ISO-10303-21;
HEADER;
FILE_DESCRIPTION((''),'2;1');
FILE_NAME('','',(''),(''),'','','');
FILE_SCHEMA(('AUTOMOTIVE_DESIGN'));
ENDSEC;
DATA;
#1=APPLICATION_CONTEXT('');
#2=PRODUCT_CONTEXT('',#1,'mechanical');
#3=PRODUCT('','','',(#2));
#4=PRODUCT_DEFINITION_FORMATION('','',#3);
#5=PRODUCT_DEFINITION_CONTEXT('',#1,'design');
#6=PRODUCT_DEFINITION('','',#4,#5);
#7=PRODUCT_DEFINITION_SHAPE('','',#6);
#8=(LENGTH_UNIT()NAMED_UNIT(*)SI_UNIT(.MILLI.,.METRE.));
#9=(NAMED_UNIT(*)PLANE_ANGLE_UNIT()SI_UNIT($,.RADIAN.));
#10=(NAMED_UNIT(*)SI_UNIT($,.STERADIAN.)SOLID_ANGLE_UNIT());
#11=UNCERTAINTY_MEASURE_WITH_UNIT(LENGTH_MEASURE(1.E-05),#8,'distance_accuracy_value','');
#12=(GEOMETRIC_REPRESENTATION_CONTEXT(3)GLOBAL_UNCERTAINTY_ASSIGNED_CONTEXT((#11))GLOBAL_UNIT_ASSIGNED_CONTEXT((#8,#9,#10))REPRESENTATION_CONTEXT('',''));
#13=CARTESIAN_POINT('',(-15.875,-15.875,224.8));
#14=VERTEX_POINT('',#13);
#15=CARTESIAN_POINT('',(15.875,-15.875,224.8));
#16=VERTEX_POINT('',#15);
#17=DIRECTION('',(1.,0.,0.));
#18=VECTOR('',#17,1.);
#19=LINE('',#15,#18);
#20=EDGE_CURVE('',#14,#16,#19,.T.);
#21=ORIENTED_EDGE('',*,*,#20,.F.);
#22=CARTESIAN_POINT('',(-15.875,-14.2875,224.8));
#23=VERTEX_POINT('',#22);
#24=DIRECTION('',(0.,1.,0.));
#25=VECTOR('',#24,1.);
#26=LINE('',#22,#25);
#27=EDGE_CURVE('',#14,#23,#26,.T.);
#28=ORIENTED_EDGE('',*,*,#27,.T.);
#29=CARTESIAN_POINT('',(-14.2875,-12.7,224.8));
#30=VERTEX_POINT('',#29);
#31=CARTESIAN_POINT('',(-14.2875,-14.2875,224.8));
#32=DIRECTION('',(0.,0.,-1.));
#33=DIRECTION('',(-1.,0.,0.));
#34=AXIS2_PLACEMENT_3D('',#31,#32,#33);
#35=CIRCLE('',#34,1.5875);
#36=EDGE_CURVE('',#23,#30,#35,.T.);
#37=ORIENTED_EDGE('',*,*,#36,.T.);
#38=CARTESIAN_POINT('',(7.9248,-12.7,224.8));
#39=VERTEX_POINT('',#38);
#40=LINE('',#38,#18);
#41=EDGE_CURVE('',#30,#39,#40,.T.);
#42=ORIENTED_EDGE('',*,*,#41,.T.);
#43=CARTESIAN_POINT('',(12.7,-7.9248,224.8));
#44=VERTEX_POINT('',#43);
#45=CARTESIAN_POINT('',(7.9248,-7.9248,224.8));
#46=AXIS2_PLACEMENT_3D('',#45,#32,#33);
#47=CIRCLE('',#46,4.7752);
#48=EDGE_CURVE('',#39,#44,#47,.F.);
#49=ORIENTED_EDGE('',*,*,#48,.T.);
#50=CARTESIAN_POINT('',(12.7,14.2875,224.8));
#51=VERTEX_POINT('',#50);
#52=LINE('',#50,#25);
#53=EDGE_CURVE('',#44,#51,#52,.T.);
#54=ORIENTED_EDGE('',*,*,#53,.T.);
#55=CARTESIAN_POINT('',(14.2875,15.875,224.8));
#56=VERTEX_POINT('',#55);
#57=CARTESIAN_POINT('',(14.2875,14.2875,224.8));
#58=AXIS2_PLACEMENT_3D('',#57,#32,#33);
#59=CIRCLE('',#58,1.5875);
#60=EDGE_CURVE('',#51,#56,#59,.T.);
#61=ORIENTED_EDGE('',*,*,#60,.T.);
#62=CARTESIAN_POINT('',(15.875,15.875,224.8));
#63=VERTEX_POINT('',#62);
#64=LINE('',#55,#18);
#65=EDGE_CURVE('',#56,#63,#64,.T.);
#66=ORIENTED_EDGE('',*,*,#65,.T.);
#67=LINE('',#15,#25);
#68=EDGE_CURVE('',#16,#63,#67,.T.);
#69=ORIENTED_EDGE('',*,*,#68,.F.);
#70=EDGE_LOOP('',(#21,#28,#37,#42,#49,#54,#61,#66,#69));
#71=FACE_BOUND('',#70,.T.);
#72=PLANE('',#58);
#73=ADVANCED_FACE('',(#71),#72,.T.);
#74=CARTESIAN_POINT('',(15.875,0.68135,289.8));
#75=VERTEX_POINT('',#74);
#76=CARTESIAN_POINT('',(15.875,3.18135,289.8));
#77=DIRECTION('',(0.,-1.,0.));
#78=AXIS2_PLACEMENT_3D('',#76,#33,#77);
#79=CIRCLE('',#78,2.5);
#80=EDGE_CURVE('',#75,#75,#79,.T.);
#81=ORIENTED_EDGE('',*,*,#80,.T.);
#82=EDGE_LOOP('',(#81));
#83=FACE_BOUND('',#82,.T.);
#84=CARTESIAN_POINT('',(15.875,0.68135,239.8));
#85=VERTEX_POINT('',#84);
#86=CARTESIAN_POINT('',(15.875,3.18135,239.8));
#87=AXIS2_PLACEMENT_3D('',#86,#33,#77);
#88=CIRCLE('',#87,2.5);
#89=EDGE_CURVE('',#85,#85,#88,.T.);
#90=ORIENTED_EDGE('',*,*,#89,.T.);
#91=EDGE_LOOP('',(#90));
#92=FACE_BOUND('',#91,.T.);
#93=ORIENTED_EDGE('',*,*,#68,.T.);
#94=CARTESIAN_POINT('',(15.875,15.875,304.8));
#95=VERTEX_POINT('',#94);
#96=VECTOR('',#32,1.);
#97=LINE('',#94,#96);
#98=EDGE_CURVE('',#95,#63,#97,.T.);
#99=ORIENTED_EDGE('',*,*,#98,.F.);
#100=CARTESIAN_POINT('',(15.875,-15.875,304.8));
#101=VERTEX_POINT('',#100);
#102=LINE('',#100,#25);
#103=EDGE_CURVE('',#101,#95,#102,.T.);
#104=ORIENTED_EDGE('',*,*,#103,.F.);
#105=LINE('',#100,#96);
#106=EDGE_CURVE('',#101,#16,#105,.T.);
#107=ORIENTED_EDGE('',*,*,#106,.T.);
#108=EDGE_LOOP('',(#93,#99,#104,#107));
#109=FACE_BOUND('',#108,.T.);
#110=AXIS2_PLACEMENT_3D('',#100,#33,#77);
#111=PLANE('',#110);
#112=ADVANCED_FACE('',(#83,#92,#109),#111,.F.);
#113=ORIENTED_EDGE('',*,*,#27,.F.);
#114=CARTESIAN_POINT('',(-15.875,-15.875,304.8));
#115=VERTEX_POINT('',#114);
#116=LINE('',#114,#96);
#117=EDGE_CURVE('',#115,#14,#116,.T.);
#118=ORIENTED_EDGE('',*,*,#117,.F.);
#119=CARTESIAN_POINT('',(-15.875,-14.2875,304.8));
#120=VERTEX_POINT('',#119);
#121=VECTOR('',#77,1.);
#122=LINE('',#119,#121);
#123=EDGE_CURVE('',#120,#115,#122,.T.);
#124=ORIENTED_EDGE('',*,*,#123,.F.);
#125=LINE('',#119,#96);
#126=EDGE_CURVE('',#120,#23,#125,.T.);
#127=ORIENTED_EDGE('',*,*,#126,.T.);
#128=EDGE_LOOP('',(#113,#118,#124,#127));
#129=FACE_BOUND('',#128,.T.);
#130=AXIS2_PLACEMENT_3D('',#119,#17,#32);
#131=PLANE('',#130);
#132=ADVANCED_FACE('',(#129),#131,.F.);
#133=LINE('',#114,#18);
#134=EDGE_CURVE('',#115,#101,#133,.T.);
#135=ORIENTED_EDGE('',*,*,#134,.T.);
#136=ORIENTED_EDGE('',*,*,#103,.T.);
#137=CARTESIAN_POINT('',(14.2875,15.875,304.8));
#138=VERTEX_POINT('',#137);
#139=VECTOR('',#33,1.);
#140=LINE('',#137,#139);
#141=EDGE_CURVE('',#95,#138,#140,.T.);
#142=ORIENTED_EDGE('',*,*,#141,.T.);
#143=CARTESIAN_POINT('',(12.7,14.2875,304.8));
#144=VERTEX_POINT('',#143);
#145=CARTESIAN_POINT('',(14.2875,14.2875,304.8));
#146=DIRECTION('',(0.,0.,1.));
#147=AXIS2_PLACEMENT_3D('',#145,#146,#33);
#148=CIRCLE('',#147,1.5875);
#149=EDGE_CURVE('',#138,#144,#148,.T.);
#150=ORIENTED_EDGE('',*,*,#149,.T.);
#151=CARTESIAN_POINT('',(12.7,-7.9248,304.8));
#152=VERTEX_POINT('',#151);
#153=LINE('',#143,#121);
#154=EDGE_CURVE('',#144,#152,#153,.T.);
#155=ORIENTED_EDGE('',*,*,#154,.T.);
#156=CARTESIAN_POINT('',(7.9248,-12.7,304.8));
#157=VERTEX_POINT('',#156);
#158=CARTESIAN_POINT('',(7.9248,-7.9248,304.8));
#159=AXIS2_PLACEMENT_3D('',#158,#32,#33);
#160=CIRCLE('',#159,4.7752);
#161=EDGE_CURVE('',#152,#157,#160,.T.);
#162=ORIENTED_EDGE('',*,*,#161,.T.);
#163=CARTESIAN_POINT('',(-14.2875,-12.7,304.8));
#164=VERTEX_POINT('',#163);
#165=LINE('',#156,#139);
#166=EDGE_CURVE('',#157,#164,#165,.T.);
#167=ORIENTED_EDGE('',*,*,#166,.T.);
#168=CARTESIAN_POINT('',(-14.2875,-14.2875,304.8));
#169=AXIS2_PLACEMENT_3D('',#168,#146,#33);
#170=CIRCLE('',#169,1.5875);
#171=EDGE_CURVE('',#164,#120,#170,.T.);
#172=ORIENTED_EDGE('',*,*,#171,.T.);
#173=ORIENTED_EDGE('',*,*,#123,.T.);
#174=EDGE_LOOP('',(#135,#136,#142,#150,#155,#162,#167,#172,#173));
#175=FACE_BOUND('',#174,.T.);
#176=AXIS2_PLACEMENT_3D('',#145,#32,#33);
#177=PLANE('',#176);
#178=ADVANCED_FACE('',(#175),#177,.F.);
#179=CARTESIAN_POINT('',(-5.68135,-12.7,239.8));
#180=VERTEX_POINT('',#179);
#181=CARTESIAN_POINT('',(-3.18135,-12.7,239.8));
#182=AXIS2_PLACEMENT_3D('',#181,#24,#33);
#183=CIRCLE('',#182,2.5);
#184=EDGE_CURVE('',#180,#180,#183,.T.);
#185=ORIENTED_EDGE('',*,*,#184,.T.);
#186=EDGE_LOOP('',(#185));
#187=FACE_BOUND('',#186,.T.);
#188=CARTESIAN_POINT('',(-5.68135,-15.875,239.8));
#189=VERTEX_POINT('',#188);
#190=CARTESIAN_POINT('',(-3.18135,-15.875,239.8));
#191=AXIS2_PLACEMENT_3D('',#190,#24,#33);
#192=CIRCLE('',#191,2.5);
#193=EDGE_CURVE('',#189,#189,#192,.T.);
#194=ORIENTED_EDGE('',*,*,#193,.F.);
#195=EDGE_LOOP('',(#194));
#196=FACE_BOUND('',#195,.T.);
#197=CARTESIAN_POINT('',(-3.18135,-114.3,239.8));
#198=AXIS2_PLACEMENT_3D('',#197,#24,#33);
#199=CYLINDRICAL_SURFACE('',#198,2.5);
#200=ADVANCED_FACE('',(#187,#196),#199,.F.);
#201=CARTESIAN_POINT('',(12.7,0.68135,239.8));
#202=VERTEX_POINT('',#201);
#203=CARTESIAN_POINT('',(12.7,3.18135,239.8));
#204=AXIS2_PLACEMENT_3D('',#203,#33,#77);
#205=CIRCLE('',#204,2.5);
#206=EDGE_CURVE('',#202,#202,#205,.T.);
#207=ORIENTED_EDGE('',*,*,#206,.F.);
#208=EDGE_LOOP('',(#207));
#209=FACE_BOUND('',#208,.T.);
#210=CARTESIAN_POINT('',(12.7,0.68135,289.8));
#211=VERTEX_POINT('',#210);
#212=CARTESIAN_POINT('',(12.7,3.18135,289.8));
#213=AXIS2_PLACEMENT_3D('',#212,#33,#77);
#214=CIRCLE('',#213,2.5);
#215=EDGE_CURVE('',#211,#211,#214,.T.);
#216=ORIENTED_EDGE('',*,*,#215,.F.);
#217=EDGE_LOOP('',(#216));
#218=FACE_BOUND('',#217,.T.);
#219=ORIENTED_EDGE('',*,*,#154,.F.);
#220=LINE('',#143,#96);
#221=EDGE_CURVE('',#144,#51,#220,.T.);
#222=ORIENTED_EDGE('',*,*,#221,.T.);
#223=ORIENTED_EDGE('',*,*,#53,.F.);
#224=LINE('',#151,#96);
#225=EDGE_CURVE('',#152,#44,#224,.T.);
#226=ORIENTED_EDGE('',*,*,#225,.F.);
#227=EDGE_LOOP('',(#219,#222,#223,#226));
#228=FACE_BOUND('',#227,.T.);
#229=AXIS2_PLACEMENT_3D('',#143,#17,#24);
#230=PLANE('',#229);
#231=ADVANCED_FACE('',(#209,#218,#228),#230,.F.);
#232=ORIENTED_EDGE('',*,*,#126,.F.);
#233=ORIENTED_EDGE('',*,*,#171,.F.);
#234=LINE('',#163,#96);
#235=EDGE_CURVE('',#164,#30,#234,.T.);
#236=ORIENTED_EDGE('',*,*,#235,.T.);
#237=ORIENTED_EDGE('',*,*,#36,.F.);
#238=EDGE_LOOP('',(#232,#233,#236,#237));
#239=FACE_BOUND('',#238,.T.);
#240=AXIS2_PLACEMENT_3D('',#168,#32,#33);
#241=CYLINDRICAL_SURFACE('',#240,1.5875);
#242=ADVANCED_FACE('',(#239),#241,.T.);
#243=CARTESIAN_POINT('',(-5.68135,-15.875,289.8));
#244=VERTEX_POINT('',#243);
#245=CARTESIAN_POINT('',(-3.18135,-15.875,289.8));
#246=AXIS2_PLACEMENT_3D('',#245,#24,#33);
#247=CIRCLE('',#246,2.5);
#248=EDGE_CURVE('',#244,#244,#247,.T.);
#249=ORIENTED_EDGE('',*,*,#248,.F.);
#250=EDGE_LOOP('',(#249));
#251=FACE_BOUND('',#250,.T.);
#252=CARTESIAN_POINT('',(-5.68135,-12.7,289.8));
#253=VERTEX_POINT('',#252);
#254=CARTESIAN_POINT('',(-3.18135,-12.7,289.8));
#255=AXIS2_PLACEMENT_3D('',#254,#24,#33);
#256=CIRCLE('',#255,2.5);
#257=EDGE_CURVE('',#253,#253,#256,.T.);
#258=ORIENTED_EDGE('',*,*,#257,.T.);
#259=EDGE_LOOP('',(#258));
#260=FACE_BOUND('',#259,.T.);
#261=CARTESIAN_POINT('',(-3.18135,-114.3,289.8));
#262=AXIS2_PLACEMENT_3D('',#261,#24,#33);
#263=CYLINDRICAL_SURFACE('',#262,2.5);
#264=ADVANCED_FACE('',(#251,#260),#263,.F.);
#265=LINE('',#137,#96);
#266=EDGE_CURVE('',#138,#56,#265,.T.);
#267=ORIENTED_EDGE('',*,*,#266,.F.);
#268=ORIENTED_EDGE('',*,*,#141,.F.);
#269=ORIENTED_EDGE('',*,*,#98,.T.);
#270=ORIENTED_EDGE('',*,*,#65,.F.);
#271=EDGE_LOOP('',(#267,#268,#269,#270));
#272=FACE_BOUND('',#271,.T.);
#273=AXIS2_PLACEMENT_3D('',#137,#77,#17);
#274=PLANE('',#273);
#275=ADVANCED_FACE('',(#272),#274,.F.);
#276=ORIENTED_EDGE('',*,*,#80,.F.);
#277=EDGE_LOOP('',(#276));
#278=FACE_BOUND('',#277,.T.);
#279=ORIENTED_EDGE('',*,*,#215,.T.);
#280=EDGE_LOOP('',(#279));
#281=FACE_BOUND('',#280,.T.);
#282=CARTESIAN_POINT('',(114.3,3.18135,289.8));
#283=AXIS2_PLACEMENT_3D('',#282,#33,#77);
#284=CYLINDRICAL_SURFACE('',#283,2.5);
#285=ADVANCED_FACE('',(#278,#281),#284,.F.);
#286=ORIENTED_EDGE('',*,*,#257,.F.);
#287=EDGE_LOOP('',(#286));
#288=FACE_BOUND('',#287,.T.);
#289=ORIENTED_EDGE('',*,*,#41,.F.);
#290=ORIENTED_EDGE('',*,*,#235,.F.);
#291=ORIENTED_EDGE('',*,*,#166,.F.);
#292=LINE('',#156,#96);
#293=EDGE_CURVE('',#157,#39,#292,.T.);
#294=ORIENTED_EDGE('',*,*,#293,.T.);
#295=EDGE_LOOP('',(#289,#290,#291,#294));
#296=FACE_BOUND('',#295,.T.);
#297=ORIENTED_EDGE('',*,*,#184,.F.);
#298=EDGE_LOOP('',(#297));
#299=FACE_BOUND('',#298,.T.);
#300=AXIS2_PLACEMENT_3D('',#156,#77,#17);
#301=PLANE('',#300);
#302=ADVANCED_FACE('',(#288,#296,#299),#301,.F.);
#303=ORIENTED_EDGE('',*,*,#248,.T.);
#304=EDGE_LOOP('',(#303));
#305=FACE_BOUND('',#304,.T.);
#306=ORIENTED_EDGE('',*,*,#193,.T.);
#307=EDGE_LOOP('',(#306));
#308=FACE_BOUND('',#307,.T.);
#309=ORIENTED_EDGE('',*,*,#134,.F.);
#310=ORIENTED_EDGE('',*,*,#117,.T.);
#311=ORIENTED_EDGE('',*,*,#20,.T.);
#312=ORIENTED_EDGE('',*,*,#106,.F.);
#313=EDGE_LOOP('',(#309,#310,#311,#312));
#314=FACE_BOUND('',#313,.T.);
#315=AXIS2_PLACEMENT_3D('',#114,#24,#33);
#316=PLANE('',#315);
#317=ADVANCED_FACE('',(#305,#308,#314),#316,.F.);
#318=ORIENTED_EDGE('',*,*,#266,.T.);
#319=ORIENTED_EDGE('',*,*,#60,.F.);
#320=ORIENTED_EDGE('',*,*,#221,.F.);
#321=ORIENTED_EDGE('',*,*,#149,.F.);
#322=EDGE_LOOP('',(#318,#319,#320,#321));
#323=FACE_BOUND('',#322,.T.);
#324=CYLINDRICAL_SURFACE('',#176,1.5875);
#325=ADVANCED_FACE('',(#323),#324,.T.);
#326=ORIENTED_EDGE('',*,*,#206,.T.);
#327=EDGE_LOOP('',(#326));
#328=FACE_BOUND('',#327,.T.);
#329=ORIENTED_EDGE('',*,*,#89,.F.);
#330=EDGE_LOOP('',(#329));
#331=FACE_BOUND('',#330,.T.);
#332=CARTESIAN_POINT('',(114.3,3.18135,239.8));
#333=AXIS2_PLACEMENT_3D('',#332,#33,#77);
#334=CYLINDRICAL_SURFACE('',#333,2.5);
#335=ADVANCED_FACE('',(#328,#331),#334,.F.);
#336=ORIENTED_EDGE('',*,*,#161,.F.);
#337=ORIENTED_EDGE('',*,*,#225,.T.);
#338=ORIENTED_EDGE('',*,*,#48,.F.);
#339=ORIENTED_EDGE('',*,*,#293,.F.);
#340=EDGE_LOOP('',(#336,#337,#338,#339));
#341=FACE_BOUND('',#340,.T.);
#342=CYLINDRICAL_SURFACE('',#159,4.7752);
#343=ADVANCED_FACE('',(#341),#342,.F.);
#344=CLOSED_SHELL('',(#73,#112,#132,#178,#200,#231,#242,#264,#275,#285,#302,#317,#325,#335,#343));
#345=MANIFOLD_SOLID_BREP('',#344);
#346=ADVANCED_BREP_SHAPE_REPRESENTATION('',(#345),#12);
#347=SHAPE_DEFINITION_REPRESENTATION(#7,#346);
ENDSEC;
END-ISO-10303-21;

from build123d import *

# Parameters (mm, degrees)
BOSS_EXTRUDE1_DEPTH = 304.8
SKETCH3_W           = 34.414454966
SKETCH3_H           = 33.657940314
CUT_EXTRUDE1_DEPTH  = 529.6
SKETCH5_R           = 2.5
CUT_EXTRUDE2_DEPTH  = 101.6
SKETCH4_R           = 2.5
CUT_EXTRUDE3_DEPTH  = 101.6


with BuildPart() as part:
    # Sketch2 → Boss-Extrude1 (new, symmetric)
    with BuildSketch(Plane.XY):
        with BuildLine():
            Line((-15.875, -15.875), (15.875, -15.875))
            Line((15.875, -15.875), (15.875, 15.875))
            Line((15.875, 15.875), (14.2875, 15.875))
            ThreePointArc((14.2875, 15.875), (13.164967985, 15.410032015), (12.7, 14.2875))
            Line((12.7, 14.2875), (12.7, -7.9248))
            ThreePointArc((12.7, -7.9248), (11.301376302, -11.301376302), (7.9248, -12.7))
            Line((7.9248, -12.7), (-14.2875, -12.7))
            ThreePointArc((-14.2875, -12.7), (-15.410032015, -13.164967985), (-15.875, -14.2875))
            Line((-15.875, -14.2875), (-15.875, -15.875))
        make_face()
    extrude(amount=BOSS_EXTRUDE1_DEPTH, both=True)

    # Sketch3 → Cut-Extrude1 (cut)
    with BuildSketch(Plane(origin=(0, 0, -304.8), x_dir=(-1, 0, 0), z_dir=(0, 0, -1))):
        with Locations((1.332227483, 0.953970157)):
            Rectangle(SKETCH3_W, SKETCH3_H)
    extrude(amount=-CUT_EXTRUDE1_DEPTH, mode=Mode.SUBTRACT)

    # Sketch5 → Cut-Extrude2 (cut)
    with BuildSketch(Plane.ZY.offset(-12.7)):
        with Locations(Location((289.8, 3.18135, 0), (0, 0, 270))):
            Circle(SKETCH5_R)
        with Locations(Location((239.8, 3.18135, 0), (0, 0, 270))):
            Circle(SKETCH5_R)
    extrude(amount=-CUT_EXTRUDE2_DEPTH, mode=Mode.SUBTRACT)

    # Sketch4 → Cut-Extrude3 (cut)
    with BuildSketch(Plane(origin=(0, -12.7, 0), x_dir=(1, 0, 0), z_dir=(0, 1, 0))):
        with Locations(Location((-3.18135, -239.8, 0), (0, 0, 180))):
            Circle(SKETCH4_R)
        with Locations(Location((-3.18135, -289.8, 0), (0, 0, 180))):
            Circle(SKETCH4_R)
    extrude(amount=-CUT_EXTRUDE3_DEPTH, mode=Mode.SUBTRACT)


solid = part.part
